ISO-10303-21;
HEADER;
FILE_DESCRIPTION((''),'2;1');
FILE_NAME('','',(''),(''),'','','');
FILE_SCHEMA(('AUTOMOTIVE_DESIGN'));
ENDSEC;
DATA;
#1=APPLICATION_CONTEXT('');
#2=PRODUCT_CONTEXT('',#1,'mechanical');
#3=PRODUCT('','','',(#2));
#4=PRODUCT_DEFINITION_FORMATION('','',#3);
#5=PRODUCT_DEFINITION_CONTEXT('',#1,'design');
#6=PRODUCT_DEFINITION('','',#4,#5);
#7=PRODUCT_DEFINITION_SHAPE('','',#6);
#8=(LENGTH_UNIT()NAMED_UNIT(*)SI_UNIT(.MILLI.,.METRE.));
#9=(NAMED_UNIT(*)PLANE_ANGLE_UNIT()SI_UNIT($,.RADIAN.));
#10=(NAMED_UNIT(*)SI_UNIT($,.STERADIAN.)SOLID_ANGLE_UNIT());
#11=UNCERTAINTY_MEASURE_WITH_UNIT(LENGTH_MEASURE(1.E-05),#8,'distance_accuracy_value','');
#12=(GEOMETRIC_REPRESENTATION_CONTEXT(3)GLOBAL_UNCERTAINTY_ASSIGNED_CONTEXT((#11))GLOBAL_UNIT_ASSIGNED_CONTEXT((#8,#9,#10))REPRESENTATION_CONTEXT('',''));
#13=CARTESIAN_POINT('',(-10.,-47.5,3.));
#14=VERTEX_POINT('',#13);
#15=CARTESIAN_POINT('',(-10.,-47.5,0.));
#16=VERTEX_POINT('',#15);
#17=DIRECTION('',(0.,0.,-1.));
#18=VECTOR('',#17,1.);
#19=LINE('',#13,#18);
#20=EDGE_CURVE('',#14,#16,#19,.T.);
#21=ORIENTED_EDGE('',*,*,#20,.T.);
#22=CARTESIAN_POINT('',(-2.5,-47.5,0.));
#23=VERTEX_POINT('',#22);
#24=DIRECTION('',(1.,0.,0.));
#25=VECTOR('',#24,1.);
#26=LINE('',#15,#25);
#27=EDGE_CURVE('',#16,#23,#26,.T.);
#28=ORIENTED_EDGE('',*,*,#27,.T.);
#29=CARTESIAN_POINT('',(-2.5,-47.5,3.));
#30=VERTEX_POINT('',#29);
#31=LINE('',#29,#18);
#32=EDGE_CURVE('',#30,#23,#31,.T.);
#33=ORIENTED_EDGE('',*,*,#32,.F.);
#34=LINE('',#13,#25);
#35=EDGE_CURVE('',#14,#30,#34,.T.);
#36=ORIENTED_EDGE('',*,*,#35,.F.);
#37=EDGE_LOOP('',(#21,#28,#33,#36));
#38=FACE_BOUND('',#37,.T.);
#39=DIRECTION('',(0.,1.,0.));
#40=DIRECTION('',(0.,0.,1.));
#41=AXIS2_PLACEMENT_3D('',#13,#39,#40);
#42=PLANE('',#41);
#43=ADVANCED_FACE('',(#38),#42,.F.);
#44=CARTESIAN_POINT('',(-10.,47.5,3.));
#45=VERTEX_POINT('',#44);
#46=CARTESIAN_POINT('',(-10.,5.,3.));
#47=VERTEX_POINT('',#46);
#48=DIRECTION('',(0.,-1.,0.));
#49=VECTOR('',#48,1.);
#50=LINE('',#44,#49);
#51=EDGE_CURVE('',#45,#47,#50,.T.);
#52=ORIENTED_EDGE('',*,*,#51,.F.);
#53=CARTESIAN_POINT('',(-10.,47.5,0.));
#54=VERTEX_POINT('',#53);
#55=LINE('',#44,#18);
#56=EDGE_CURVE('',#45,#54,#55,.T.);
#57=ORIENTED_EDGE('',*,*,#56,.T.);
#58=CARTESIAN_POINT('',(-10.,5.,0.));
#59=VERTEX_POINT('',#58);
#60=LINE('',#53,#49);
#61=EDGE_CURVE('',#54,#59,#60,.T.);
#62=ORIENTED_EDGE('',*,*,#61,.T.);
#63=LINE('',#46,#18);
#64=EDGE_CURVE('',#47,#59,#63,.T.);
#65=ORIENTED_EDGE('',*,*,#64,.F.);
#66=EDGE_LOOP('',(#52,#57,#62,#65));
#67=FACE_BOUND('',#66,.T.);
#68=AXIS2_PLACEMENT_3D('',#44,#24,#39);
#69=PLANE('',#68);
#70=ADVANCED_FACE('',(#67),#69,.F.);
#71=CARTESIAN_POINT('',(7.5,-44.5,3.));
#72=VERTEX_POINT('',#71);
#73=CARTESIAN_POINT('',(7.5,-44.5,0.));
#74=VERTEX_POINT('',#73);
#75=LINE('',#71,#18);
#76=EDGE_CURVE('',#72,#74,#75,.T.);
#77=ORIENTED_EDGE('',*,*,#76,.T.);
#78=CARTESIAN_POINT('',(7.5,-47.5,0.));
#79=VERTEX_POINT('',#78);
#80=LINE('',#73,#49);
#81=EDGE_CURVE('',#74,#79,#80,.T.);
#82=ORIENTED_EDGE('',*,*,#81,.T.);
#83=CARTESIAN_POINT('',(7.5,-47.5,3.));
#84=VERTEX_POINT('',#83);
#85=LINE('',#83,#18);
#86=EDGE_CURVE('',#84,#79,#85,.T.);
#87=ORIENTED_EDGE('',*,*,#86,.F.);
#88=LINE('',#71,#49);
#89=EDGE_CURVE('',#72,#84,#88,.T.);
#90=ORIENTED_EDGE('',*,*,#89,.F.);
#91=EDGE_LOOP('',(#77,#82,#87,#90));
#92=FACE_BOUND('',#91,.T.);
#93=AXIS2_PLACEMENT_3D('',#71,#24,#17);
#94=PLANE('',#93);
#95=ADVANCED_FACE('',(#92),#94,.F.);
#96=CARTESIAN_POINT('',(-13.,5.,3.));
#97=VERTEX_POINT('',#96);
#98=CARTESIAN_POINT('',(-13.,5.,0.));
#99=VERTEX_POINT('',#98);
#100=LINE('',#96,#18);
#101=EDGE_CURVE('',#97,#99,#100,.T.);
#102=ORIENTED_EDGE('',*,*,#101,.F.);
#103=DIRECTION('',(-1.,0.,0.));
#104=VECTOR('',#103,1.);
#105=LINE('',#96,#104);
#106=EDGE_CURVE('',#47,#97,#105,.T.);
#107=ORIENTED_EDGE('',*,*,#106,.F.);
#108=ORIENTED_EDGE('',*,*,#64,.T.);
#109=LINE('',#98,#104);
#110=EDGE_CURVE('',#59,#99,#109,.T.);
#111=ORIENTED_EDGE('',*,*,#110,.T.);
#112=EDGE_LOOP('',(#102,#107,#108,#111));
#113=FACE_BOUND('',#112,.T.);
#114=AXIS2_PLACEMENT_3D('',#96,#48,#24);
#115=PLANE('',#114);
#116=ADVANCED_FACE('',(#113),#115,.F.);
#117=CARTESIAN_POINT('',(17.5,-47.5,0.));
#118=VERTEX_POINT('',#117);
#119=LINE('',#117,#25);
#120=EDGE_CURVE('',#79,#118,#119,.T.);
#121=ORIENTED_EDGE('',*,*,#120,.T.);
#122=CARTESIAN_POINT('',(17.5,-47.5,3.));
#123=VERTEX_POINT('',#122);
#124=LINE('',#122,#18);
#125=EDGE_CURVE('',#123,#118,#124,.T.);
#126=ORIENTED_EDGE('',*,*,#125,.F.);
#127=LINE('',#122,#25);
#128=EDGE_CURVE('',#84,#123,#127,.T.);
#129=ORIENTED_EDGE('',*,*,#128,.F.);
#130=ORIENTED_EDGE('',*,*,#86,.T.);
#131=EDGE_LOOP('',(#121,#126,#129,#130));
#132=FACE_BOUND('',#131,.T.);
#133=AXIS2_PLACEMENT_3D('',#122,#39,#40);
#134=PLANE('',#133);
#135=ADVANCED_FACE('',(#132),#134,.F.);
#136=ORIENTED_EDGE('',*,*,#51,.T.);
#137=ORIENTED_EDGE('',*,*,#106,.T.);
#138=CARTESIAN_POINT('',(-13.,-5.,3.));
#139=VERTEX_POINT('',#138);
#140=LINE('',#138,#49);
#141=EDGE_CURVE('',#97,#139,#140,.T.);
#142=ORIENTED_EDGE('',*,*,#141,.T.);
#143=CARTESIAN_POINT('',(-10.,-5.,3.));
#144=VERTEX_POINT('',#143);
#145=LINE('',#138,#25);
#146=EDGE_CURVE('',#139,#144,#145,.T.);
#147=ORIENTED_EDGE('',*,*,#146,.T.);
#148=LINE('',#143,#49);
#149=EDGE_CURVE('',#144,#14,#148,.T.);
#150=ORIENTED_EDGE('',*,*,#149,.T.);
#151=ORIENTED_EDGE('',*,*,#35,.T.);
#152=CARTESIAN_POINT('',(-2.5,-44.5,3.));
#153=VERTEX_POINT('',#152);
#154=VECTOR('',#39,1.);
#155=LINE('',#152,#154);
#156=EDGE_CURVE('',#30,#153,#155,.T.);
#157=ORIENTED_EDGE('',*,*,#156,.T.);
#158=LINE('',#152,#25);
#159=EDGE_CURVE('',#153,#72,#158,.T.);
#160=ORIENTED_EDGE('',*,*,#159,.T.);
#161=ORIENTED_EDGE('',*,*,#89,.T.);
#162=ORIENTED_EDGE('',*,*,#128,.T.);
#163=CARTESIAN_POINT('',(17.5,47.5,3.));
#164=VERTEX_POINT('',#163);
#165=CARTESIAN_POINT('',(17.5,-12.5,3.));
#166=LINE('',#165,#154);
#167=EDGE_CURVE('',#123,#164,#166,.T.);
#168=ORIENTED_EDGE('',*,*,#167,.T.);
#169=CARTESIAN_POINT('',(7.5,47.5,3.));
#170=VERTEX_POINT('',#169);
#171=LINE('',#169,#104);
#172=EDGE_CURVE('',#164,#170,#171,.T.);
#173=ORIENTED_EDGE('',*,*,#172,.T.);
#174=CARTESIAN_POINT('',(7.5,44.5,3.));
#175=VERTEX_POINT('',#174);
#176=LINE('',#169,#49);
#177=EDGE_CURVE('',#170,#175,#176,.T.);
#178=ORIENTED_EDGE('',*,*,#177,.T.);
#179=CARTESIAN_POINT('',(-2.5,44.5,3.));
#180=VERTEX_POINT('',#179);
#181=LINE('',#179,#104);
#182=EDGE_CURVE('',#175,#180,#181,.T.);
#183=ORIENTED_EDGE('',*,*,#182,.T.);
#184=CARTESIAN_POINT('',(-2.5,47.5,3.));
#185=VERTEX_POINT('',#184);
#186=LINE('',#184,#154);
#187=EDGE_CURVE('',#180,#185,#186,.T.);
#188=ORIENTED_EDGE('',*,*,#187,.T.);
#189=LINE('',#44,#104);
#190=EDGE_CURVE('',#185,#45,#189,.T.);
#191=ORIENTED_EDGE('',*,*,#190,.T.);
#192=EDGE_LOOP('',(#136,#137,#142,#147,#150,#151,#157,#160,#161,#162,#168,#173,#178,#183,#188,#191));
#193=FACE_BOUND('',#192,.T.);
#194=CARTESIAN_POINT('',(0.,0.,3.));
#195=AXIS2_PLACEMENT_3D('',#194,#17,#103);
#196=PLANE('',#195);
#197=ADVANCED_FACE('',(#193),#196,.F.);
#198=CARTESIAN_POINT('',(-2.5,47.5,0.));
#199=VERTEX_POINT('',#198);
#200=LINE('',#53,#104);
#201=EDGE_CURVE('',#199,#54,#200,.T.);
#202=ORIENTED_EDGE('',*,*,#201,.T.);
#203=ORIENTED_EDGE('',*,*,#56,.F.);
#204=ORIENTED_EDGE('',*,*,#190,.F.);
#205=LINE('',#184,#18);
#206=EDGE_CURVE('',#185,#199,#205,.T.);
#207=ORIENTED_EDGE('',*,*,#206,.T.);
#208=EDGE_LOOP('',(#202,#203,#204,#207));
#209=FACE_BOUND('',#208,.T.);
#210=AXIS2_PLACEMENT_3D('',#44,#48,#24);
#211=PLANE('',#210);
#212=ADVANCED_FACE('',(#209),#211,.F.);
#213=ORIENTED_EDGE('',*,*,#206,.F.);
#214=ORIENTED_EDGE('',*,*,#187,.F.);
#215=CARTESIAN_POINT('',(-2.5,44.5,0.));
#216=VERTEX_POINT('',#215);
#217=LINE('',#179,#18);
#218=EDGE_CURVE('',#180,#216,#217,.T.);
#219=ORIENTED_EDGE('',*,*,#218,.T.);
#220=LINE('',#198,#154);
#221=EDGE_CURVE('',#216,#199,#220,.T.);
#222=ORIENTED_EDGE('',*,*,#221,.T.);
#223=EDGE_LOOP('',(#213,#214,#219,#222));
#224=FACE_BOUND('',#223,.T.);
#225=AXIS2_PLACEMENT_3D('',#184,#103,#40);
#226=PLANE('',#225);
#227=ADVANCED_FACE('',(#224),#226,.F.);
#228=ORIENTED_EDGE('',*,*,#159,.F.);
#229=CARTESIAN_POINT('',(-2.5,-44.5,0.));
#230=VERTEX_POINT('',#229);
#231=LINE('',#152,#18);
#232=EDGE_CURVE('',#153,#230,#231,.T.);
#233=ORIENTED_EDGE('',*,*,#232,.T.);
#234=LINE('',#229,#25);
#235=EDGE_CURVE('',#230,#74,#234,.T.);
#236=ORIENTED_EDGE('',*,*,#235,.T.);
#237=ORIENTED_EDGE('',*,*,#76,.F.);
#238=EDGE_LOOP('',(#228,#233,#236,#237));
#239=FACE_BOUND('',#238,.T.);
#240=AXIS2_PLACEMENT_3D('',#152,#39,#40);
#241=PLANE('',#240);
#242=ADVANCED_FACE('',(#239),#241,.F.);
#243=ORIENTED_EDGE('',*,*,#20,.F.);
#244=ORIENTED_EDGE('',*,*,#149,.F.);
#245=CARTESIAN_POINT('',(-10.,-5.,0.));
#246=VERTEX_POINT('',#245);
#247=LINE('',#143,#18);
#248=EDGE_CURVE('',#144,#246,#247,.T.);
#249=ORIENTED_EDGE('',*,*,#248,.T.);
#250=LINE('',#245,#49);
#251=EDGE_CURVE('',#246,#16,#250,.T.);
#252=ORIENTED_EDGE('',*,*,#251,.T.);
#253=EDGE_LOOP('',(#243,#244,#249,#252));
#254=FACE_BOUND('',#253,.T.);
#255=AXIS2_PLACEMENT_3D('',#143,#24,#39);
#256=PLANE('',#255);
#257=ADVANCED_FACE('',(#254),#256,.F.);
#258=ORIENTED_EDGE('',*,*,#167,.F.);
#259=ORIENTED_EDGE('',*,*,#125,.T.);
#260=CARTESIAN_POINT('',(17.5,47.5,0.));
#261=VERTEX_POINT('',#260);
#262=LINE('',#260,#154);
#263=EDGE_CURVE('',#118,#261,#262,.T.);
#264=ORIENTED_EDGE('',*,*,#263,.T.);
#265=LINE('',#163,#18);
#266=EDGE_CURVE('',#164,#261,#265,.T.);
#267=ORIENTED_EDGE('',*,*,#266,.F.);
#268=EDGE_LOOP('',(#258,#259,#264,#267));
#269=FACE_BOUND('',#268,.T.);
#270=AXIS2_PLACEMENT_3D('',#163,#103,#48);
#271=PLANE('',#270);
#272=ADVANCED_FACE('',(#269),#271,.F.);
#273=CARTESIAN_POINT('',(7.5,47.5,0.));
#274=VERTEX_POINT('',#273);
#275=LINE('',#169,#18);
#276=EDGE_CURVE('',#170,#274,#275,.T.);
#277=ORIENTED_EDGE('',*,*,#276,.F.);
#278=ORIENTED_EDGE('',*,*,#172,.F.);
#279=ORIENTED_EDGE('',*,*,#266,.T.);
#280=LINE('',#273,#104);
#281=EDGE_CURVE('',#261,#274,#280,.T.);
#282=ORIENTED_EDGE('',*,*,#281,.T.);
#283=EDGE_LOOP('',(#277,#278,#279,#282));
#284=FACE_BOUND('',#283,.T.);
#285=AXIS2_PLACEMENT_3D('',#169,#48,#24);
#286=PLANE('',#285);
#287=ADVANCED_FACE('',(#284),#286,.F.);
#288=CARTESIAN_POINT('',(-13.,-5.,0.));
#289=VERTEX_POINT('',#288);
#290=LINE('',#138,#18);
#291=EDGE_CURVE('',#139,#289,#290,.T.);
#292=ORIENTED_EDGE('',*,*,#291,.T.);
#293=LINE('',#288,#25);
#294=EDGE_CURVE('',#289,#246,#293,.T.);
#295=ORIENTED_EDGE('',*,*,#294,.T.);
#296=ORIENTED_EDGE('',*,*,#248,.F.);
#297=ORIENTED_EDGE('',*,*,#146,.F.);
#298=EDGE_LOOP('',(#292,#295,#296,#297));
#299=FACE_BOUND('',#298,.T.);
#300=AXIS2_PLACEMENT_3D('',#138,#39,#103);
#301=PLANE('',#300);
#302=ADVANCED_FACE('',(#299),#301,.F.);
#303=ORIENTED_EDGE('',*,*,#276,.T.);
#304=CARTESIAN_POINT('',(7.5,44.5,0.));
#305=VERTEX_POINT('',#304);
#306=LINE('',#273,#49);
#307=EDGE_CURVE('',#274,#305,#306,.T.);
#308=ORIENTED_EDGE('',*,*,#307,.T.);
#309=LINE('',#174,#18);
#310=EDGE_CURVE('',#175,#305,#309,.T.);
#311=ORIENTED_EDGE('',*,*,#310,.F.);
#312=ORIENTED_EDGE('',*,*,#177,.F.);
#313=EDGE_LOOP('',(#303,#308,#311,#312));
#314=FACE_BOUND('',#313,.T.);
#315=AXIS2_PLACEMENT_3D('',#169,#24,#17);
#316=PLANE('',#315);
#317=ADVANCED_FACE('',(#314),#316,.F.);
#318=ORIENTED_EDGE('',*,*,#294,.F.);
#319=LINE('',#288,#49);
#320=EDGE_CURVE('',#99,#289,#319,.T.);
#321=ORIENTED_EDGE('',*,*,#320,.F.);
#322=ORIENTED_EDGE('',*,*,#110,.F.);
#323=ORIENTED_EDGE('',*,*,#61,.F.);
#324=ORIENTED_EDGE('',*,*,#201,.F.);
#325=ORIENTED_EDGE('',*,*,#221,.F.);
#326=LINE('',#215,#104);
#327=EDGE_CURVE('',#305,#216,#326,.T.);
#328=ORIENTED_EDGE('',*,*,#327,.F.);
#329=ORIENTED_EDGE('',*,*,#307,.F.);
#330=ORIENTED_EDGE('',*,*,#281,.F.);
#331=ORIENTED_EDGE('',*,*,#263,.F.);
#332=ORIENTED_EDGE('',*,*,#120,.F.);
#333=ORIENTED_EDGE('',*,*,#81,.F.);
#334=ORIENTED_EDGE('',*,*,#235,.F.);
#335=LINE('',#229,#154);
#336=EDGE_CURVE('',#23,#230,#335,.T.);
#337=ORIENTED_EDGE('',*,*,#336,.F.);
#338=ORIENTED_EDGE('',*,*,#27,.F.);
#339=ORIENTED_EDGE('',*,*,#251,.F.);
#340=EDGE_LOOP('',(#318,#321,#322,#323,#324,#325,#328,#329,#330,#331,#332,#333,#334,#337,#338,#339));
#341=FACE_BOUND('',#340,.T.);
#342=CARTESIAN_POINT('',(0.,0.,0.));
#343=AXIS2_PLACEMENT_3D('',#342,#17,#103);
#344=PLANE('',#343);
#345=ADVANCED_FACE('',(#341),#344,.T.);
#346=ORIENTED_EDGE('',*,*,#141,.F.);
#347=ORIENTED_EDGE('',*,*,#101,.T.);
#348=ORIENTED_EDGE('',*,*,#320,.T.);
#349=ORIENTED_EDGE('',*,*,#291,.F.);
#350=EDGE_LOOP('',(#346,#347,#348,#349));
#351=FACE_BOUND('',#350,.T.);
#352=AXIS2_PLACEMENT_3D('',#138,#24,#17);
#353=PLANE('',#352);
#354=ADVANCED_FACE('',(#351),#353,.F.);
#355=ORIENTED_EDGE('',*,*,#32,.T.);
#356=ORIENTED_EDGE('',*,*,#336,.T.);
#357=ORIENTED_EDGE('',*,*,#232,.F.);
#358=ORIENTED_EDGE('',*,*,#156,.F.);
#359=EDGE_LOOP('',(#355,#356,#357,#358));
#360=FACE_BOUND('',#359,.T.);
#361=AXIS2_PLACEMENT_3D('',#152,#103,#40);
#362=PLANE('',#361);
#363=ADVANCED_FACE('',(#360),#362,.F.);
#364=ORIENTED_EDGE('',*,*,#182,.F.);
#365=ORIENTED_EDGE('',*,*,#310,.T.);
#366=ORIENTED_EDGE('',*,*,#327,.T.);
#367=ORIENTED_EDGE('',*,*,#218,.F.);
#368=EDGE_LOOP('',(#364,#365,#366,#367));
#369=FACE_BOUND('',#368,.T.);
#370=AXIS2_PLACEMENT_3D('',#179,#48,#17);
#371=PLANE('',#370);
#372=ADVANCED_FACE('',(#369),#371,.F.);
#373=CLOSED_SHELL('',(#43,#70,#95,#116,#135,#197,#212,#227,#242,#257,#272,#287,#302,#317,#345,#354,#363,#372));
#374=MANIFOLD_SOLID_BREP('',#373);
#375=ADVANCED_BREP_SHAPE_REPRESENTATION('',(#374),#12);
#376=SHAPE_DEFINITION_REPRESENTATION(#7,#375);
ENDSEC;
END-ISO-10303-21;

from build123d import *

# Parameters (mm, degrees)
BOSS_EXTRUDE1_DEPTH = 3


with BuildPart() as part:
    # Sketch1 → Boss-Extrude1 (new body)
    with BuildSketch(Plane.XY):
        Polygon((17.5, 47.5), (17.5, -2.5), (17.5, -12.5), (17.5, -47.5), (7.5, -47.5), (7.5, -44.5), (-2.5, -44.5), (-2.5, -47.5), (-10, -47.5), (-10, -5), (-13, -5), (-13, 5), (-10, 5), (-10, 47.5), (-2.5, 47.5), (-2.5, 44.5), (7.5, 44.5), (7.5, 47.5), align=None)
    extrude(amount=BOSS_EXTRUDE1_DEPTH)


solid = part.part
